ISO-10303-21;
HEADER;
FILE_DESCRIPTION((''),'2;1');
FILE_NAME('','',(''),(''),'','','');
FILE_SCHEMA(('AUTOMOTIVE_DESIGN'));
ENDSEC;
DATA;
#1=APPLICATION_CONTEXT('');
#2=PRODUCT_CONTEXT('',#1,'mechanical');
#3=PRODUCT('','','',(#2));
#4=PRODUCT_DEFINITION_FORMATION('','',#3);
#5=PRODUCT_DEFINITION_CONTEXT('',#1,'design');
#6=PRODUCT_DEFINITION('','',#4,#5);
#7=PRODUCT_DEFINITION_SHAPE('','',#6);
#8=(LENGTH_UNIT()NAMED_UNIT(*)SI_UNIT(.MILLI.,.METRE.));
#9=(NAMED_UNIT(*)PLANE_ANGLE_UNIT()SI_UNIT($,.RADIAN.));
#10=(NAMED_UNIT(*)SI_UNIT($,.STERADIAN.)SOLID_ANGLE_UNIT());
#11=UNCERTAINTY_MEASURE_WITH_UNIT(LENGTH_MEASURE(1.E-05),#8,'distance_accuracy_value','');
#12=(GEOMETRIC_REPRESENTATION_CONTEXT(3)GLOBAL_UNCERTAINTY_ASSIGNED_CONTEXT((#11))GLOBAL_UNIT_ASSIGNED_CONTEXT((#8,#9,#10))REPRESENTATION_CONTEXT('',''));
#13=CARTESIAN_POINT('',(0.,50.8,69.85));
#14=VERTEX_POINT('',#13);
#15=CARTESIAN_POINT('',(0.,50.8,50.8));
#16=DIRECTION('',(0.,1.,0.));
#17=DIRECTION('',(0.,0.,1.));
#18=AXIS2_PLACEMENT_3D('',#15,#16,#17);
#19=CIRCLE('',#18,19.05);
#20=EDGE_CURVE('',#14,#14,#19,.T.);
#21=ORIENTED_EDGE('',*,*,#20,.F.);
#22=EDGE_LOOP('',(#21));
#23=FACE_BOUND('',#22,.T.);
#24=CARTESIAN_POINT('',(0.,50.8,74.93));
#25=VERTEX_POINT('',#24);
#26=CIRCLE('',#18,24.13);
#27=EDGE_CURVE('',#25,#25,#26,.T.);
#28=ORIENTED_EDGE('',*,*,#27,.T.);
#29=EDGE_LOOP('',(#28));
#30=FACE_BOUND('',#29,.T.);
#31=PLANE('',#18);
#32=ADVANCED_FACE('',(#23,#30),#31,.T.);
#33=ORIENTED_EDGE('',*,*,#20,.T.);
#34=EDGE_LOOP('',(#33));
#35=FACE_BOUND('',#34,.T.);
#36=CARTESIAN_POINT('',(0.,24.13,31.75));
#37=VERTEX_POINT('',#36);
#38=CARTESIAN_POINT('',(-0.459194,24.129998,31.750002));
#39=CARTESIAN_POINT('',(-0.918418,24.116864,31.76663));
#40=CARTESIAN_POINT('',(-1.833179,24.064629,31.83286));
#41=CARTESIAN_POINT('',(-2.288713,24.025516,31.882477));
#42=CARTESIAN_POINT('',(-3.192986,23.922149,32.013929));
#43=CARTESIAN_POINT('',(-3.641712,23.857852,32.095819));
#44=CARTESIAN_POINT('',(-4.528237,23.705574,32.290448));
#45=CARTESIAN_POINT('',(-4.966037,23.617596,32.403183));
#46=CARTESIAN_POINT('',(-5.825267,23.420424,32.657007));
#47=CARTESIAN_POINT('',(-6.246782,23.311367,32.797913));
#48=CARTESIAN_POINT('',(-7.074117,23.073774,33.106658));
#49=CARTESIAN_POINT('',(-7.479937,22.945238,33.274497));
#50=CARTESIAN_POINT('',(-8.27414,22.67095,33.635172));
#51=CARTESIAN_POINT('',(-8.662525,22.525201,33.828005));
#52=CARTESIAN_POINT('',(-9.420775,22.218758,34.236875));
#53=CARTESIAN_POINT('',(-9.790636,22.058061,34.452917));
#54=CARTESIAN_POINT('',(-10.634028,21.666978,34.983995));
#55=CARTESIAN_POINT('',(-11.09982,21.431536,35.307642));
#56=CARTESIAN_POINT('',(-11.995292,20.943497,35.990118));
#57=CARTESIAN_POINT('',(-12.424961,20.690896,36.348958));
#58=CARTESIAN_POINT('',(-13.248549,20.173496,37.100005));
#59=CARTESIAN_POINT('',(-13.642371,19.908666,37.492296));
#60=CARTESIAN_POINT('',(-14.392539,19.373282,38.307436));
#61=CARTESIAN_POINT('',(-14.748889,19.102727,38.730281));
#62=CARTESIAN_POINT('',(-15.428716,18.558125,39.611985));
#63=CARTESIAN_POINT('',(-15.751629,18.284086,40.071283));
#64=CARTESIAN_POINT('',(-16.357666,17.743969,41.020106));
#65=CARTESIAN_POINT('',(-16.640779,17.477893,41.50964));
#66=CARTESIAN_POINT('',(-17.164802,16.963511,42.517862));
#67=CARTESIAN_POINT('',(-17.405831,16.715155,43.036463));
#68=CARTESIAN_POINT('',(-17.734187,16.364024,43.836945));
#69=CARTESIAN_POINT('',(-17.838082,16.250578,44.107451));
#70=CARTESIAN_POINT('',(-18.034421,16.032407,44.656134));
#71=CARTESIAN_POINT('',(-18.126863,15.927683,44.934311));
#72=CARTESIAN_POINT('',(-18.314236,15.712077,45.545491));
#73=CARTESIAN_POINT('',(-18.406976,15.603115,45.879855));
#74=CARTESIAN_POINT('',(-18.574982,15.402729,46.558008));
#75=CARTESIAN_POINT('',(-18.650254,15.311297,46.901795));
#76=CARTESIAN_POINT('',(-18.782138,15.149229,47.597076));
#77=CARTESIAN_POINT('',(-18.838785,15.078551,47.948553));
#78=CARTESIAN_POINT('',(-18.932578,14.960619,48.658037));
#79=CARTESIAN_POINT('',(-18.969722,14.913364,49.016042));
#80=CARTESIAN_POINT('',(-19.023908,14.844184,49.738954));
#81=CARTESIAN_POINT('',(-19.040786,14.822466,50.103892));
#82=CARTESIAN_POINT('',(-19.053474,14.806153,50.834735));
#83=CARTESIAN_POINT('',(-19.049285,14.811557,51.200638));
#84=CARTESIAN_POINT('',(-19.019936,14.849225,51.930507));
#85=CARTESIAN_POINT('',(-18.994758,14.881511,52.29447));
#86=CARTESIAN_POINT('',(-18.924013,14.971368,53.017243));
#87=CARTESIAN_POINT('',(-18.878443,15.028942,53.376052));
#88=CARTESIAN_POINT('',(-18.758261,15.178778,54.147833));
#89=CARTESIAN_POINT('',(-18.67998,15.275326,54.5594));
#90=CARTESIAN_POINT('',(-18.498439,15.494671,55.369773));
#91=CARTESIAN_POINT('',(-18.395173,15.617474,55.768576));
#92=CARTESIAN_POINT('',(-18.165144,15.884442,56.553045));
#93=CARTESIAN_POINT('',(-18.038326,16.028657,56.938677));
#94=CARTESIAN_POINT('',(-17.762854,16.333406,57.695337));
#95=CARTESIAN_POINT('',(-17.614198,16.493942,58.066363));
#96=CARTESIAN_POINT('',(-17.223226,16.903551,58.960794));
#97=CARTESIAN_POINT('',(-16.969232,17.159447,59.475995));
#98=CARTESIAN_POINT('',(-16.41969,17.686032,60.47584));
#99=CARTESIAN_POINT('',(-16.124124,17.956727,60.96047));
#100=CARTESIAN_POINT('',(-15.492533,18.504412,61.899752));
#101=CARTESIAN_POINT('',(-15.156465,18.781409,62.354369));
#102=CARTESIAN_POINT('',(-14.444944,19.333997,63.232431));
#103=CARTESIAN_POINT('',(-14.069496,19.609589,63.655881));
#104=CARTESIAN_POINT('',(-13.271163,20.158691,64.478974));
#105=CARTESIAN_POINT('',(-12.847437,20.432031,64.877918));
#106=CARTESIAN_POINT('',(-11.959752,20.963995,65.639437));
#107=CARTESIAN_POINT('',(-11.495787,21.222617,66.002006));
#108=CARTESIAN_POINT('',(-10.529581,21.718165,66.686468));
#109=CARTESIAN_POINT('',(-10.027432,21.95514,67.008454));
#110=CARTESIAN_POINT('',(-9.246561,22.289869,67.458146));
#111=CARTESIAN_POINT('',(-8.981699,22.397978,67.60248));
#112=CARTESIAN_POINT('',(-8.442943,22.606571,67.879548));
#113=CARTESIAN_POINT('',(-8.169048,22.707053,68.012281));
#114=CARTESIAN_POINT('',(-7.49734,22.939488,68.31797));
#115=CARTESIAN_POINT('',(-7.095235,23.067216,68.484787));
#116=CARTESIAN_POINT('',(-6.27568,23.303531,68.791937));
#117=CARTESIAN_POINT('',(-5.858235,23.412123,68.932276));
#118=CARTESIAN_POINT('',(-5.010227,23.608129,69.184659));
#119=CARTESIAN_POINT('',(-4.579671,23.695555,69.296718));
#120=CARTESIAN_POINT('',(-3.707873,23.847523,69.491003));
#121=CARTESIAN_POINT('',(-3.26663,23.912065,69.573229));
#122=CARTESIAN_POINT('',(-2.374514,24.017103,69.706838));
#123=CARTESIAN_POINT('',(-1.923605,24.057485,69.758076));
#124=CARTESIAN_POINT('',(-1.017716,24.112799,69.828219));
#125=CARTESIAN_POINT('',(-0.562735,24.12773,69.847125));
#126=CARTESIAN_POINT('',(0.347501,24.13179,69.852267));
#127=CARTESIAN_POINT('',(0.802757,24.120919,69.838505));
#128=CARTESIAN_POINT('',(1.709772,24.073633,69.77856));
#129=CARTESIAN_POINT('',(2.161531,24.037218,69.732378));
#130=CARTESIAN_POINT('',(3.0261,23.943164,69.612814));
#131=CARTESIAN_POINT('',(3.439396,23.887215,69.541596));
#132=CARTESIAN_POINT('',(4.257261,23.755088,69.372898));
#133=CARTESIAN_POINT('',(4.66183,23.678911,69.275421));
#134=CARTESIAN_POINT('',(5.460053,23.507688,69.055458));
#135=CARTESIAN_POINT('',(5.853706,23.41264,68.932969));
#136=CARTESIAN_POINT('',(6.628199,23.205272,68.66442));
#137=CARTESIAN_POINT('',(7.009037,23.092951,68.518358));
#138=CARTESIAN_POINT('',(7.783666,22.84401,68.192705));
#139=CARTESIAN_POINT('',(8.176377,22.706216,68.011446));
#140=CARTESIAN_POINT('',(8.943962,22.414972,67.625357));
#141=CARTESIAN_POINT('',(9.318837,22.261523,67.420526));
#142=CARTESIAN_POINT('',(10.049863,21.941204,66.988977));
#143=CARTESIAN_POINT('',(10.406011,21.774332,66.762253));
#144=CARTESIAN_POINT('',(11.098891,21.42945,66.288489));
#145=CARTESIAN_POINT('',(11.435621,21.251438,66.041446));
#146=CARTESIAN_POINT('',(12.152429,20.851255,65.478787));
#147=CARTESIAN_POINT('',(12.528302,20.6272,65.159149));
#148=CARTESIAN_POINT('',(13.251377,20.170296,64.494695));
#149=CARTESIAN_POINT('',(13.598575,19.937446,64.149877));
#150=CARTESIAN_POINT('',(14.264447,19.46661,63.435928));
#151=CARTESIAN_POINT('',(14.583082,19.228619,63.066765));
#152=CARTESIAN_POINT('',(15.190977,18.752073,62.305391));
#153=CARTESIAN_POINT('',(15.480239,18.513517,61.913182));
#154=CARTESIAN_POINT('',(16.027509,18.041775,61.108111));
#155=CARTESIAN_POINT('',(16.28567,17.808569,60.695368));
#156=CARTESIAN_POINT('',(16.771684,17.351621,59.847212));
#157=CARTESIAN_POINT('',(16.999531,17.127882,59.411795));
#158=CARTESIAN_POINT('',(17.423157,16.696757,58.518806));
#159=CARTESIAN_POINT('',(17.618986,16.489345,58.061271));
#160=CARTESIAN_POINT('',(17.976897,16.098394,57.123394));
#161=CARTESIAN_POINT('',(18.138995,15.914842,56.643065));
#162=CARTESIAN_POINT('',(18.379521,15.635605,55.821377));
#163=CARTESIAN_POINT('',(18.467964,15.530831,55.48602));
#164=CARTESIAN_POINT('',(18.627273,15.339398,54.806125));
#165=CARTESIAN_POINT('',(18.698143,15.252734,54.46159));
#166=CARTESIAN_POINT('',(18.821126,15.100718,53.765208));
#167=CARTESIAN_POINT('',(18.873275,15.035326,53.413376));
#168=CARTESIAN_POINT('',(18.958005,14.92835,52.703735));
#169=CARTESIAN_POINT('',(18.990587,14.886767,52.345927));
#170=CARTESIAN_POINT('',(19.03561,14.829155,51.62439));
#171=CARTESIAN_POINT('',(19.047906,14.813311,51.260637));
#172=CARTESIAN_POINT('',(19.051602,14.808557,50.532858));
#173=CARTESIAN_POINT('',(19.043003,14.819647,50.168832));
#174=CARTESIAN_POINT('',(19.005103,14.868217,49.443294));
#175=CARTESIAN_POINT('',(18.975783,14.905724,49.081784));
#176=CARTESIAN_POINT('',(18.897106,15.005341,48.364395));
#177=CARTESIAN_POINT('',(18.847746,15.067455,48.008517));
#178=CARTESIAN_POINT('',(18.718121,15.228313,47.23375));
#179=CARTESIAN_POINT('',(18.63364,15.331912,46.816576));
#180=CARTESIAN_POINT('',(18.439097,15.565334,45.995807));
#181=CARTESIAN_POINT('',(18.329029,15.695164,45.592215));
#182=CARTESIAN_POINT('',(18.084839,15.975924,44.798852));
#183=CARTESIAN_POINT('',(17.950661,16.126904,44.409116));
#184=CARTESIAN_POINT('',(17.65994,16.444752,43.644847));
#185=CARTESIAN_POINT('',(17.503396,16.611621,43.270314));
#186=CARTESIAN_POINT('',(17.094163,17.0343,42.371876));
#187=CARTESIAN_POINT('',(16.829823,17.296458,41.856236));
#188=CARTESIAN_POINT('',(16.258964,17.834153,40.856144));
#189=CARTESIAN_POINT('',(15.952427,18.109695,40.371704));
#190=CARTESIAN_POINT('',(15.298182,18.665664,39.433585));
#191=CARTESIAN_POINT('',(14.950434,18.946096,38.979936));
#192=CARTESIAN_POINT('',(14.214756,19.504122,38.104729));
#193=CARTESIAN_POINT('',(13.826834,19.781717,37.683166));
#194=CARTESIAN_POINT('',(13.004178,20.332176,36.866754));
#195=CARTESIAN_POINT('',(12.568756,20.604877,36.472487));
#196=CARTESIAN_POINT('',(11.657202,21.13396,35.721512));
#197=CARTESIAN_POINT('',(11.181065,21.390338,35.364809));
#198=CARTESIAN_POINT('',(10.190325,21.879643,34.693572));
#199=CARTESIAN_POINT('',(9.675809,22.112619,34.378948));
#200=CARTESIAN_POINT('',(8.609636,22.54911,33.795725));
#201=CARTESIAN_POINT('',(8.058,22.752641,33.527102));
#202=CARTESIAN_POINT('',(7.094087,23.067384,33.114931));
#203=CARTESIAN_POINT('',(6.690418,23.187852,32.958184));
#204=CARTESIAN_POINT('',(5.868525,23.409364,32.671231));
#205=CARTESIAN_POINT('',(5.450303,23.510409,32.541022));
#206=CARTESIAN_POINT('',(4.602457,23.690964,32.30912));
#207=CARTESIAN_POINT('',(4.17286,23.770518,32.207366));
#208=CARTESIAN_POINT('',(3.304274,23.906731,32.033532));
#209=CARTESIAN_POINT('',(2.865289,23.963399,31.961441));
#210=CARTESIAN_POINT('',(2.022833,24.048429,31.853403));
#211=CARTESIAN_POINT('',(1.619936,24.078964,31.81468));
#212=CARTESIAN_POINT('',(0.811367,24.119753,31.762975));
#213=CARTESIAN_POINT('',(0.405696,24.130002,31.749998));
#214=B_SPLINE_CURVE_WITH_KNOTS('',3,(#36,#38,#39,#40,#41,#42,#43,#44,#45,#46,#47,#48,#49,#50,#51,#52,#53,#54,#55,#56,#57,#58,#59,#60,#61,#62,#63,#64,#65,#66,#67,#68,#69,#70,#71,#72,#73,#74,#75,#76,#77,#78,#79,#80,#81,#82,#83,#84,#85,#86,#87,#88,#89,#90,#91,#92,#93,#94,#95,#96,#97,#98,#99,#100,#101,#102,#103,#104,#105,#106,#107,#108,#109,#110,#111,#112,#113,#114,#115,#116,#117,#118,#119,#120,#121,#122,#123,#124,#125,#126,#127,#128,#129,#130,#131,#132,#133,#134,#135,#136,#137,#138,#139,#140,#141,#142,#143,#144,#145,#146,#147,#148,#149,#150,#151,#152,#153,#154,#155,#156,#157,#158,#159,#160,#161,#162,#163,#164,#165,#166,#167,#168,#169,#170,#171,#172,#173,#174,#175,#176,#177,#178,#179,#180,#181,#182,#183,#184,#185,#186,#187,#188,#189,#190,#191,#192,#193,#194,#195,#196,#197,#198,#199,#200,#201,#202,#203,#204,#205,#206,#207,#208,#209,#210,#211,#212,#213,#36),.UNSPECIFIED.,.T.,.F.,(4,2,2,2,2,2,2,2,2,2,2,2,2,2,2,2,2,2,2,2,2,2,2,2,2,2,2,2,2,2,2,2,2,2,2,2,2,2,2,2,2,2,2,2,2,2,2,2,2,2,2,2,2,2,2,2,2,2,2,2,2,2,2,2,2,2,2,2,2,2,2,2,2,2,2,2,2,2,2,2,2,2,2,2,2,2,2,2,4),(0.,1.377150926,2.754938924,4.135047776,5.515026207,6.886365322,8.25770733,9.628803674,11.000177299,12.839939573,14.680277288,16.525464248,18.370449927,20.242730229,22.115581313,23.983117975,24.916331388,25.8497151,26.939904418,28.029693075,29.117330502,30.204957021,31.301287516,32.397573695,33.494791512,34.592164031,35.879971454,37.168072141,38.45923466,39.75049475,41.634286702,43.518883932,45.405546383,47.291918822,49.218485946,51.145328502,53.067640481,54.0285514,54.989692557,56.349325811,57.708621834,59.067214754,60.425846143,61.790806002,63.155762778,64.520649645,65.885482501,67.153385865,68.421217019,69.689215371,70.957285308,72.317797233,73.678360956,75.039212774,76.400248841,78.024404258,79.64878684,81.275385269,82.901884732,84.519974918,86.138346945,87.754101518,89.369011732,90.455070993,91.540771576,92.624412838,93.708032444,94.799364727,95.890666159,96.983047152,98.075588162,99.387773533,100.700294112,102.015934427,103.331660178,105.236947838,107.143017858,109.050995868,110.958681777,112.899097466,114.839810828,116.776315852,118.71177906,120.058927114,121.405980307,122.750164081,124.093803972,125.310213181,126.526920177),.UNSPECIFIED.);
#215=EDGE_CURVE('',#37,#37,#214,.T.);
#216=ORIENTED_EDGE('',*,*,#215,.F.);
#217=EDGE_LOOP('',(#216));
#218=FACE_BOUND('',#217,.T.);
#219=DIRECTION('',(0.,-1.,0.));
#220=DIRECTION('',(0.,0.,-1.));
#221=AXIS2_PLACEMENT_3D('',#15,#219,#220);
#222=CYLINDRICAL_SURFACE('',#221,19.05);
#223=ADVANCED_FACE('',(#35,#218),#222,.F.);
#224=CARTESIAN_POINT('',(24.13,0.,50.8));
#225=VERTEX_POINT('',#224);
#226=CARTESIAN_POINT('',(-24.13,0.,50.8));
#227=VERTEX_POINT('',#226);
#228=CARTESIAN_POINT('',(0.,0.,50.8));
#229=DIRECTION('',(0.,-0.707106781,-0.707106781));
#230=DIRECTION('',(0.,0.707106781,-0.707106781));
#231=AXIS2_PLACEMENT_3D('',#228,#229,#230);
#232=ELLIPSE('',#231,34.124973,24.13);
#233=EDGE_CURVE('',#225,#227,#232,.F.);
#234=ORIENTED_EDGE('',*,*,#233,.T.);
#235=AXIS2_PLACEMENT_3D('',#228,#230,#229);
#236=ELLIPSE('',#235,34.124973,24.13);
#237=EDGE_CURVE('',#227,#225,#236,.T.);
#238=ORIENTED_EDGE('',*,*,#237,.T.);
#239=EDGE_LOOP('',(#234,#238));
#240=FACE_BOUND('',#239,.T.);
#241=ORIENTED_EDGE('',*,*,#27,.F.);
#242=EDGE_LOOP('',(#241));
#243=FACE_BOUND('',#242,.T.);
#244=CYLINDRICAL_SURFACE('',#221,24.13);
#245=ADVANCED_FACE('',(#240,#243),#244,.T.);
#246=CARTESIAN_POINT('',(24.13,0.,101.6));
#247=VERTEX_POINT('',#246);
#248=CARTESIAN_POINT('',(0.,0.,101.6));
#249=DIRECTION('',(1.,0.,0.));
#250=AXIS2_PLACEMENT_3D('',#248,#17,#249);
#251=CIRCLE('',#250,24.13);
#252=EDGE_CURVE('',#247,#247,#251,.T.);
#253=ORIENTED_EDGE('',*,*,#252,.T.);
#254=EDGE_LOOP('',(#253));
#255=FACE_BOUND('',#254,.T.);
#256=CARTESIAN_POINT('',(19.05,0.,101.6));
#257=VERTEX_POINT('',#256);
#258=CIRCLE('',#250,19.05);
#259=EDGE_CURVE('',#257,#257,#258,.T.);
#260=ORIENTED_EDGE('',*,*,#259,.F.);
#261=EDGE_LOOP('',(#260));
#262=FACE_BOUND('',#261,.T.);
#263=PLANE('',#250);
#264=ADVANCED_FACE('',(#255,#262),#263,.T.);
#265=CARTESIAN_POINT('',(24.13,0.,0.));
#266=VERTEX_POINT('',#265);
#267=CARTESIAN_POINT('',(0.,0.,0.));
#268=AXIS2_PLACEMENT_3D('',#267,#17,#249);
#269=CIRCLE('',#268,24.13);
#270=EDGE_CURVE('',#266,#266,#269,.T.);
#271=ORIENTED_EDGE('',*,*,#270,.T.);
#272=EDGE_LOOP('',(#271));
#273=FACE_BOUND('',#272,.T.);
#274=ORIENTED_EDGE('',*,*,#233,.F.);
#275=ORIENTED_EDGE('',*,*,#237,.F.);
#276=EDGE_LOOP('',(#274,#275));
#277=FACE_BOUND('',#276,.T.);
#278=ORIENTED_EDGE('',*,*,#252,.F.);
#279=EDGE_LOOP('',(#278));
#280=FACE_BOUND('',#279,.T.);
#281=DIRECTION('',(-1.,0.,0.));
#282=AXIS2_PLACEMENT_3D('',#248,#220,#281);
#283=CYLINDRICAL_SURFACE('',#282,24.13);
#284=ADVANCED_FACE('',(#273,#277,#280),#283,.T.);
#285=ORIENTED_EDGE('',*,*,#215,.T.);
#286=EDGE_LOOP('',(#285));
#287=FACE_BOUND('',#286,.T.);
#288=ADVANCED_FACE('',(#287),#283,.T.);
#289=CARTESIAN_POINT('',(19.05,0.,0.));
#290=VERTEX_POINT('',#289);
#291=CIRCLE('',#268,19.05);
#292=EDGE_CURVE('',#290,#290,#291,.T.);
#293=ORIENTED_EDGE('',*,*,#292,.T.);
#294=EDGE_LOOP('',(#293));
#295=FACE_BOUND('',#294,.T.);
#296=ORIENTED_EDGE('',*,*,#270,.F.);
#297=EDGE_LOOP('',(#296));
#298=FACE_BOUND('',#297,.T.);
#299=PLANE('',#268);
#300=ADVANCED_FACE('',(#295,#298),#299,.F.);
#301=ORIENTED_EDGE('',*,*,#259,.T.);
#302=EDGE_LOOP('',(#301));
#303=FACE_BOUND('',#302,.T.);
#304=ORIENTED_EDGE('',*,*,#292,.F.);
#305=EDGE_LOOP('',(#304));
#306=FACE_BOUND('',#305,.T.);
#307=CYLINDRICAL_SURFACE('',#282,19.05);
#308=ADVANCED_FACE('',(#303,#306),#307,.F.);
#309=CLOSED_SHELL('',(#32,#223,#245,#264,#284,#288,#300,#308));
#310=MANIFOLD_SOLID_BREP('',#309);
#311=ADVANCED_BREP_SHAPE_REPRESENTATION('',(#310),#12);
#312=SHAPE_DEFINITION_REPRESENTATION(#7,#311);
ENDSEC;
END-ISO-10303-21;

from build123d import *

# Parameters (mm, degrees)
SKETCH1_R           = 24.13
SKETCH1_R_2         = 19.05
BOSS_EXTRUDE1_DEPTH = 101.6
SKETCH2_R           = 24.13
SKETCH2_R_2         = 19.05
BOSS_EXTRUDE2_DEPTH = 50.8
SKETCH3_R           = 19.05
CUT_EXTRUDE1_DEPTH  = 102.6000001


with BuildPart() as part:
    # Sketch1 → Boss-Extrude1 (new body)
    with BuildSketch(Plane.XY):
        Circle(SKETCH1_R)
        Circle(SKETCH1_R_2, mode=Mode.SUBTRACT)
    extrude(amount=BOSS_EXTRUDE1_DEPTH)

    # Sketch2 → Boss-Extrude2 (add)
    with BuildSketch(Plane(origin=(0, 0, 0), x_dir=(1, 0, 0), z_dir=(0, 1, 0))):
        with Locations((0, -50.8)):
            Circle(SKETCH2_R)
        with Locations((0, -50.8)):
            Circle(SKETCH2_R_2, mode=Mode.SUBTRACT)
    extrude(amount=BOSS_EXTRUDE2_DEPTH)

    # Sketch3 → Cut-Extrude1 (cut, through all)
    with BuildSketch(Plane.XY.offset(101.6)):
        Circle(SKETCH3_R)
    extrude(amount=-CUT_EXTRUDE1_DEPTH, mode=Mode.SUBTRACT)


solid = part.part
